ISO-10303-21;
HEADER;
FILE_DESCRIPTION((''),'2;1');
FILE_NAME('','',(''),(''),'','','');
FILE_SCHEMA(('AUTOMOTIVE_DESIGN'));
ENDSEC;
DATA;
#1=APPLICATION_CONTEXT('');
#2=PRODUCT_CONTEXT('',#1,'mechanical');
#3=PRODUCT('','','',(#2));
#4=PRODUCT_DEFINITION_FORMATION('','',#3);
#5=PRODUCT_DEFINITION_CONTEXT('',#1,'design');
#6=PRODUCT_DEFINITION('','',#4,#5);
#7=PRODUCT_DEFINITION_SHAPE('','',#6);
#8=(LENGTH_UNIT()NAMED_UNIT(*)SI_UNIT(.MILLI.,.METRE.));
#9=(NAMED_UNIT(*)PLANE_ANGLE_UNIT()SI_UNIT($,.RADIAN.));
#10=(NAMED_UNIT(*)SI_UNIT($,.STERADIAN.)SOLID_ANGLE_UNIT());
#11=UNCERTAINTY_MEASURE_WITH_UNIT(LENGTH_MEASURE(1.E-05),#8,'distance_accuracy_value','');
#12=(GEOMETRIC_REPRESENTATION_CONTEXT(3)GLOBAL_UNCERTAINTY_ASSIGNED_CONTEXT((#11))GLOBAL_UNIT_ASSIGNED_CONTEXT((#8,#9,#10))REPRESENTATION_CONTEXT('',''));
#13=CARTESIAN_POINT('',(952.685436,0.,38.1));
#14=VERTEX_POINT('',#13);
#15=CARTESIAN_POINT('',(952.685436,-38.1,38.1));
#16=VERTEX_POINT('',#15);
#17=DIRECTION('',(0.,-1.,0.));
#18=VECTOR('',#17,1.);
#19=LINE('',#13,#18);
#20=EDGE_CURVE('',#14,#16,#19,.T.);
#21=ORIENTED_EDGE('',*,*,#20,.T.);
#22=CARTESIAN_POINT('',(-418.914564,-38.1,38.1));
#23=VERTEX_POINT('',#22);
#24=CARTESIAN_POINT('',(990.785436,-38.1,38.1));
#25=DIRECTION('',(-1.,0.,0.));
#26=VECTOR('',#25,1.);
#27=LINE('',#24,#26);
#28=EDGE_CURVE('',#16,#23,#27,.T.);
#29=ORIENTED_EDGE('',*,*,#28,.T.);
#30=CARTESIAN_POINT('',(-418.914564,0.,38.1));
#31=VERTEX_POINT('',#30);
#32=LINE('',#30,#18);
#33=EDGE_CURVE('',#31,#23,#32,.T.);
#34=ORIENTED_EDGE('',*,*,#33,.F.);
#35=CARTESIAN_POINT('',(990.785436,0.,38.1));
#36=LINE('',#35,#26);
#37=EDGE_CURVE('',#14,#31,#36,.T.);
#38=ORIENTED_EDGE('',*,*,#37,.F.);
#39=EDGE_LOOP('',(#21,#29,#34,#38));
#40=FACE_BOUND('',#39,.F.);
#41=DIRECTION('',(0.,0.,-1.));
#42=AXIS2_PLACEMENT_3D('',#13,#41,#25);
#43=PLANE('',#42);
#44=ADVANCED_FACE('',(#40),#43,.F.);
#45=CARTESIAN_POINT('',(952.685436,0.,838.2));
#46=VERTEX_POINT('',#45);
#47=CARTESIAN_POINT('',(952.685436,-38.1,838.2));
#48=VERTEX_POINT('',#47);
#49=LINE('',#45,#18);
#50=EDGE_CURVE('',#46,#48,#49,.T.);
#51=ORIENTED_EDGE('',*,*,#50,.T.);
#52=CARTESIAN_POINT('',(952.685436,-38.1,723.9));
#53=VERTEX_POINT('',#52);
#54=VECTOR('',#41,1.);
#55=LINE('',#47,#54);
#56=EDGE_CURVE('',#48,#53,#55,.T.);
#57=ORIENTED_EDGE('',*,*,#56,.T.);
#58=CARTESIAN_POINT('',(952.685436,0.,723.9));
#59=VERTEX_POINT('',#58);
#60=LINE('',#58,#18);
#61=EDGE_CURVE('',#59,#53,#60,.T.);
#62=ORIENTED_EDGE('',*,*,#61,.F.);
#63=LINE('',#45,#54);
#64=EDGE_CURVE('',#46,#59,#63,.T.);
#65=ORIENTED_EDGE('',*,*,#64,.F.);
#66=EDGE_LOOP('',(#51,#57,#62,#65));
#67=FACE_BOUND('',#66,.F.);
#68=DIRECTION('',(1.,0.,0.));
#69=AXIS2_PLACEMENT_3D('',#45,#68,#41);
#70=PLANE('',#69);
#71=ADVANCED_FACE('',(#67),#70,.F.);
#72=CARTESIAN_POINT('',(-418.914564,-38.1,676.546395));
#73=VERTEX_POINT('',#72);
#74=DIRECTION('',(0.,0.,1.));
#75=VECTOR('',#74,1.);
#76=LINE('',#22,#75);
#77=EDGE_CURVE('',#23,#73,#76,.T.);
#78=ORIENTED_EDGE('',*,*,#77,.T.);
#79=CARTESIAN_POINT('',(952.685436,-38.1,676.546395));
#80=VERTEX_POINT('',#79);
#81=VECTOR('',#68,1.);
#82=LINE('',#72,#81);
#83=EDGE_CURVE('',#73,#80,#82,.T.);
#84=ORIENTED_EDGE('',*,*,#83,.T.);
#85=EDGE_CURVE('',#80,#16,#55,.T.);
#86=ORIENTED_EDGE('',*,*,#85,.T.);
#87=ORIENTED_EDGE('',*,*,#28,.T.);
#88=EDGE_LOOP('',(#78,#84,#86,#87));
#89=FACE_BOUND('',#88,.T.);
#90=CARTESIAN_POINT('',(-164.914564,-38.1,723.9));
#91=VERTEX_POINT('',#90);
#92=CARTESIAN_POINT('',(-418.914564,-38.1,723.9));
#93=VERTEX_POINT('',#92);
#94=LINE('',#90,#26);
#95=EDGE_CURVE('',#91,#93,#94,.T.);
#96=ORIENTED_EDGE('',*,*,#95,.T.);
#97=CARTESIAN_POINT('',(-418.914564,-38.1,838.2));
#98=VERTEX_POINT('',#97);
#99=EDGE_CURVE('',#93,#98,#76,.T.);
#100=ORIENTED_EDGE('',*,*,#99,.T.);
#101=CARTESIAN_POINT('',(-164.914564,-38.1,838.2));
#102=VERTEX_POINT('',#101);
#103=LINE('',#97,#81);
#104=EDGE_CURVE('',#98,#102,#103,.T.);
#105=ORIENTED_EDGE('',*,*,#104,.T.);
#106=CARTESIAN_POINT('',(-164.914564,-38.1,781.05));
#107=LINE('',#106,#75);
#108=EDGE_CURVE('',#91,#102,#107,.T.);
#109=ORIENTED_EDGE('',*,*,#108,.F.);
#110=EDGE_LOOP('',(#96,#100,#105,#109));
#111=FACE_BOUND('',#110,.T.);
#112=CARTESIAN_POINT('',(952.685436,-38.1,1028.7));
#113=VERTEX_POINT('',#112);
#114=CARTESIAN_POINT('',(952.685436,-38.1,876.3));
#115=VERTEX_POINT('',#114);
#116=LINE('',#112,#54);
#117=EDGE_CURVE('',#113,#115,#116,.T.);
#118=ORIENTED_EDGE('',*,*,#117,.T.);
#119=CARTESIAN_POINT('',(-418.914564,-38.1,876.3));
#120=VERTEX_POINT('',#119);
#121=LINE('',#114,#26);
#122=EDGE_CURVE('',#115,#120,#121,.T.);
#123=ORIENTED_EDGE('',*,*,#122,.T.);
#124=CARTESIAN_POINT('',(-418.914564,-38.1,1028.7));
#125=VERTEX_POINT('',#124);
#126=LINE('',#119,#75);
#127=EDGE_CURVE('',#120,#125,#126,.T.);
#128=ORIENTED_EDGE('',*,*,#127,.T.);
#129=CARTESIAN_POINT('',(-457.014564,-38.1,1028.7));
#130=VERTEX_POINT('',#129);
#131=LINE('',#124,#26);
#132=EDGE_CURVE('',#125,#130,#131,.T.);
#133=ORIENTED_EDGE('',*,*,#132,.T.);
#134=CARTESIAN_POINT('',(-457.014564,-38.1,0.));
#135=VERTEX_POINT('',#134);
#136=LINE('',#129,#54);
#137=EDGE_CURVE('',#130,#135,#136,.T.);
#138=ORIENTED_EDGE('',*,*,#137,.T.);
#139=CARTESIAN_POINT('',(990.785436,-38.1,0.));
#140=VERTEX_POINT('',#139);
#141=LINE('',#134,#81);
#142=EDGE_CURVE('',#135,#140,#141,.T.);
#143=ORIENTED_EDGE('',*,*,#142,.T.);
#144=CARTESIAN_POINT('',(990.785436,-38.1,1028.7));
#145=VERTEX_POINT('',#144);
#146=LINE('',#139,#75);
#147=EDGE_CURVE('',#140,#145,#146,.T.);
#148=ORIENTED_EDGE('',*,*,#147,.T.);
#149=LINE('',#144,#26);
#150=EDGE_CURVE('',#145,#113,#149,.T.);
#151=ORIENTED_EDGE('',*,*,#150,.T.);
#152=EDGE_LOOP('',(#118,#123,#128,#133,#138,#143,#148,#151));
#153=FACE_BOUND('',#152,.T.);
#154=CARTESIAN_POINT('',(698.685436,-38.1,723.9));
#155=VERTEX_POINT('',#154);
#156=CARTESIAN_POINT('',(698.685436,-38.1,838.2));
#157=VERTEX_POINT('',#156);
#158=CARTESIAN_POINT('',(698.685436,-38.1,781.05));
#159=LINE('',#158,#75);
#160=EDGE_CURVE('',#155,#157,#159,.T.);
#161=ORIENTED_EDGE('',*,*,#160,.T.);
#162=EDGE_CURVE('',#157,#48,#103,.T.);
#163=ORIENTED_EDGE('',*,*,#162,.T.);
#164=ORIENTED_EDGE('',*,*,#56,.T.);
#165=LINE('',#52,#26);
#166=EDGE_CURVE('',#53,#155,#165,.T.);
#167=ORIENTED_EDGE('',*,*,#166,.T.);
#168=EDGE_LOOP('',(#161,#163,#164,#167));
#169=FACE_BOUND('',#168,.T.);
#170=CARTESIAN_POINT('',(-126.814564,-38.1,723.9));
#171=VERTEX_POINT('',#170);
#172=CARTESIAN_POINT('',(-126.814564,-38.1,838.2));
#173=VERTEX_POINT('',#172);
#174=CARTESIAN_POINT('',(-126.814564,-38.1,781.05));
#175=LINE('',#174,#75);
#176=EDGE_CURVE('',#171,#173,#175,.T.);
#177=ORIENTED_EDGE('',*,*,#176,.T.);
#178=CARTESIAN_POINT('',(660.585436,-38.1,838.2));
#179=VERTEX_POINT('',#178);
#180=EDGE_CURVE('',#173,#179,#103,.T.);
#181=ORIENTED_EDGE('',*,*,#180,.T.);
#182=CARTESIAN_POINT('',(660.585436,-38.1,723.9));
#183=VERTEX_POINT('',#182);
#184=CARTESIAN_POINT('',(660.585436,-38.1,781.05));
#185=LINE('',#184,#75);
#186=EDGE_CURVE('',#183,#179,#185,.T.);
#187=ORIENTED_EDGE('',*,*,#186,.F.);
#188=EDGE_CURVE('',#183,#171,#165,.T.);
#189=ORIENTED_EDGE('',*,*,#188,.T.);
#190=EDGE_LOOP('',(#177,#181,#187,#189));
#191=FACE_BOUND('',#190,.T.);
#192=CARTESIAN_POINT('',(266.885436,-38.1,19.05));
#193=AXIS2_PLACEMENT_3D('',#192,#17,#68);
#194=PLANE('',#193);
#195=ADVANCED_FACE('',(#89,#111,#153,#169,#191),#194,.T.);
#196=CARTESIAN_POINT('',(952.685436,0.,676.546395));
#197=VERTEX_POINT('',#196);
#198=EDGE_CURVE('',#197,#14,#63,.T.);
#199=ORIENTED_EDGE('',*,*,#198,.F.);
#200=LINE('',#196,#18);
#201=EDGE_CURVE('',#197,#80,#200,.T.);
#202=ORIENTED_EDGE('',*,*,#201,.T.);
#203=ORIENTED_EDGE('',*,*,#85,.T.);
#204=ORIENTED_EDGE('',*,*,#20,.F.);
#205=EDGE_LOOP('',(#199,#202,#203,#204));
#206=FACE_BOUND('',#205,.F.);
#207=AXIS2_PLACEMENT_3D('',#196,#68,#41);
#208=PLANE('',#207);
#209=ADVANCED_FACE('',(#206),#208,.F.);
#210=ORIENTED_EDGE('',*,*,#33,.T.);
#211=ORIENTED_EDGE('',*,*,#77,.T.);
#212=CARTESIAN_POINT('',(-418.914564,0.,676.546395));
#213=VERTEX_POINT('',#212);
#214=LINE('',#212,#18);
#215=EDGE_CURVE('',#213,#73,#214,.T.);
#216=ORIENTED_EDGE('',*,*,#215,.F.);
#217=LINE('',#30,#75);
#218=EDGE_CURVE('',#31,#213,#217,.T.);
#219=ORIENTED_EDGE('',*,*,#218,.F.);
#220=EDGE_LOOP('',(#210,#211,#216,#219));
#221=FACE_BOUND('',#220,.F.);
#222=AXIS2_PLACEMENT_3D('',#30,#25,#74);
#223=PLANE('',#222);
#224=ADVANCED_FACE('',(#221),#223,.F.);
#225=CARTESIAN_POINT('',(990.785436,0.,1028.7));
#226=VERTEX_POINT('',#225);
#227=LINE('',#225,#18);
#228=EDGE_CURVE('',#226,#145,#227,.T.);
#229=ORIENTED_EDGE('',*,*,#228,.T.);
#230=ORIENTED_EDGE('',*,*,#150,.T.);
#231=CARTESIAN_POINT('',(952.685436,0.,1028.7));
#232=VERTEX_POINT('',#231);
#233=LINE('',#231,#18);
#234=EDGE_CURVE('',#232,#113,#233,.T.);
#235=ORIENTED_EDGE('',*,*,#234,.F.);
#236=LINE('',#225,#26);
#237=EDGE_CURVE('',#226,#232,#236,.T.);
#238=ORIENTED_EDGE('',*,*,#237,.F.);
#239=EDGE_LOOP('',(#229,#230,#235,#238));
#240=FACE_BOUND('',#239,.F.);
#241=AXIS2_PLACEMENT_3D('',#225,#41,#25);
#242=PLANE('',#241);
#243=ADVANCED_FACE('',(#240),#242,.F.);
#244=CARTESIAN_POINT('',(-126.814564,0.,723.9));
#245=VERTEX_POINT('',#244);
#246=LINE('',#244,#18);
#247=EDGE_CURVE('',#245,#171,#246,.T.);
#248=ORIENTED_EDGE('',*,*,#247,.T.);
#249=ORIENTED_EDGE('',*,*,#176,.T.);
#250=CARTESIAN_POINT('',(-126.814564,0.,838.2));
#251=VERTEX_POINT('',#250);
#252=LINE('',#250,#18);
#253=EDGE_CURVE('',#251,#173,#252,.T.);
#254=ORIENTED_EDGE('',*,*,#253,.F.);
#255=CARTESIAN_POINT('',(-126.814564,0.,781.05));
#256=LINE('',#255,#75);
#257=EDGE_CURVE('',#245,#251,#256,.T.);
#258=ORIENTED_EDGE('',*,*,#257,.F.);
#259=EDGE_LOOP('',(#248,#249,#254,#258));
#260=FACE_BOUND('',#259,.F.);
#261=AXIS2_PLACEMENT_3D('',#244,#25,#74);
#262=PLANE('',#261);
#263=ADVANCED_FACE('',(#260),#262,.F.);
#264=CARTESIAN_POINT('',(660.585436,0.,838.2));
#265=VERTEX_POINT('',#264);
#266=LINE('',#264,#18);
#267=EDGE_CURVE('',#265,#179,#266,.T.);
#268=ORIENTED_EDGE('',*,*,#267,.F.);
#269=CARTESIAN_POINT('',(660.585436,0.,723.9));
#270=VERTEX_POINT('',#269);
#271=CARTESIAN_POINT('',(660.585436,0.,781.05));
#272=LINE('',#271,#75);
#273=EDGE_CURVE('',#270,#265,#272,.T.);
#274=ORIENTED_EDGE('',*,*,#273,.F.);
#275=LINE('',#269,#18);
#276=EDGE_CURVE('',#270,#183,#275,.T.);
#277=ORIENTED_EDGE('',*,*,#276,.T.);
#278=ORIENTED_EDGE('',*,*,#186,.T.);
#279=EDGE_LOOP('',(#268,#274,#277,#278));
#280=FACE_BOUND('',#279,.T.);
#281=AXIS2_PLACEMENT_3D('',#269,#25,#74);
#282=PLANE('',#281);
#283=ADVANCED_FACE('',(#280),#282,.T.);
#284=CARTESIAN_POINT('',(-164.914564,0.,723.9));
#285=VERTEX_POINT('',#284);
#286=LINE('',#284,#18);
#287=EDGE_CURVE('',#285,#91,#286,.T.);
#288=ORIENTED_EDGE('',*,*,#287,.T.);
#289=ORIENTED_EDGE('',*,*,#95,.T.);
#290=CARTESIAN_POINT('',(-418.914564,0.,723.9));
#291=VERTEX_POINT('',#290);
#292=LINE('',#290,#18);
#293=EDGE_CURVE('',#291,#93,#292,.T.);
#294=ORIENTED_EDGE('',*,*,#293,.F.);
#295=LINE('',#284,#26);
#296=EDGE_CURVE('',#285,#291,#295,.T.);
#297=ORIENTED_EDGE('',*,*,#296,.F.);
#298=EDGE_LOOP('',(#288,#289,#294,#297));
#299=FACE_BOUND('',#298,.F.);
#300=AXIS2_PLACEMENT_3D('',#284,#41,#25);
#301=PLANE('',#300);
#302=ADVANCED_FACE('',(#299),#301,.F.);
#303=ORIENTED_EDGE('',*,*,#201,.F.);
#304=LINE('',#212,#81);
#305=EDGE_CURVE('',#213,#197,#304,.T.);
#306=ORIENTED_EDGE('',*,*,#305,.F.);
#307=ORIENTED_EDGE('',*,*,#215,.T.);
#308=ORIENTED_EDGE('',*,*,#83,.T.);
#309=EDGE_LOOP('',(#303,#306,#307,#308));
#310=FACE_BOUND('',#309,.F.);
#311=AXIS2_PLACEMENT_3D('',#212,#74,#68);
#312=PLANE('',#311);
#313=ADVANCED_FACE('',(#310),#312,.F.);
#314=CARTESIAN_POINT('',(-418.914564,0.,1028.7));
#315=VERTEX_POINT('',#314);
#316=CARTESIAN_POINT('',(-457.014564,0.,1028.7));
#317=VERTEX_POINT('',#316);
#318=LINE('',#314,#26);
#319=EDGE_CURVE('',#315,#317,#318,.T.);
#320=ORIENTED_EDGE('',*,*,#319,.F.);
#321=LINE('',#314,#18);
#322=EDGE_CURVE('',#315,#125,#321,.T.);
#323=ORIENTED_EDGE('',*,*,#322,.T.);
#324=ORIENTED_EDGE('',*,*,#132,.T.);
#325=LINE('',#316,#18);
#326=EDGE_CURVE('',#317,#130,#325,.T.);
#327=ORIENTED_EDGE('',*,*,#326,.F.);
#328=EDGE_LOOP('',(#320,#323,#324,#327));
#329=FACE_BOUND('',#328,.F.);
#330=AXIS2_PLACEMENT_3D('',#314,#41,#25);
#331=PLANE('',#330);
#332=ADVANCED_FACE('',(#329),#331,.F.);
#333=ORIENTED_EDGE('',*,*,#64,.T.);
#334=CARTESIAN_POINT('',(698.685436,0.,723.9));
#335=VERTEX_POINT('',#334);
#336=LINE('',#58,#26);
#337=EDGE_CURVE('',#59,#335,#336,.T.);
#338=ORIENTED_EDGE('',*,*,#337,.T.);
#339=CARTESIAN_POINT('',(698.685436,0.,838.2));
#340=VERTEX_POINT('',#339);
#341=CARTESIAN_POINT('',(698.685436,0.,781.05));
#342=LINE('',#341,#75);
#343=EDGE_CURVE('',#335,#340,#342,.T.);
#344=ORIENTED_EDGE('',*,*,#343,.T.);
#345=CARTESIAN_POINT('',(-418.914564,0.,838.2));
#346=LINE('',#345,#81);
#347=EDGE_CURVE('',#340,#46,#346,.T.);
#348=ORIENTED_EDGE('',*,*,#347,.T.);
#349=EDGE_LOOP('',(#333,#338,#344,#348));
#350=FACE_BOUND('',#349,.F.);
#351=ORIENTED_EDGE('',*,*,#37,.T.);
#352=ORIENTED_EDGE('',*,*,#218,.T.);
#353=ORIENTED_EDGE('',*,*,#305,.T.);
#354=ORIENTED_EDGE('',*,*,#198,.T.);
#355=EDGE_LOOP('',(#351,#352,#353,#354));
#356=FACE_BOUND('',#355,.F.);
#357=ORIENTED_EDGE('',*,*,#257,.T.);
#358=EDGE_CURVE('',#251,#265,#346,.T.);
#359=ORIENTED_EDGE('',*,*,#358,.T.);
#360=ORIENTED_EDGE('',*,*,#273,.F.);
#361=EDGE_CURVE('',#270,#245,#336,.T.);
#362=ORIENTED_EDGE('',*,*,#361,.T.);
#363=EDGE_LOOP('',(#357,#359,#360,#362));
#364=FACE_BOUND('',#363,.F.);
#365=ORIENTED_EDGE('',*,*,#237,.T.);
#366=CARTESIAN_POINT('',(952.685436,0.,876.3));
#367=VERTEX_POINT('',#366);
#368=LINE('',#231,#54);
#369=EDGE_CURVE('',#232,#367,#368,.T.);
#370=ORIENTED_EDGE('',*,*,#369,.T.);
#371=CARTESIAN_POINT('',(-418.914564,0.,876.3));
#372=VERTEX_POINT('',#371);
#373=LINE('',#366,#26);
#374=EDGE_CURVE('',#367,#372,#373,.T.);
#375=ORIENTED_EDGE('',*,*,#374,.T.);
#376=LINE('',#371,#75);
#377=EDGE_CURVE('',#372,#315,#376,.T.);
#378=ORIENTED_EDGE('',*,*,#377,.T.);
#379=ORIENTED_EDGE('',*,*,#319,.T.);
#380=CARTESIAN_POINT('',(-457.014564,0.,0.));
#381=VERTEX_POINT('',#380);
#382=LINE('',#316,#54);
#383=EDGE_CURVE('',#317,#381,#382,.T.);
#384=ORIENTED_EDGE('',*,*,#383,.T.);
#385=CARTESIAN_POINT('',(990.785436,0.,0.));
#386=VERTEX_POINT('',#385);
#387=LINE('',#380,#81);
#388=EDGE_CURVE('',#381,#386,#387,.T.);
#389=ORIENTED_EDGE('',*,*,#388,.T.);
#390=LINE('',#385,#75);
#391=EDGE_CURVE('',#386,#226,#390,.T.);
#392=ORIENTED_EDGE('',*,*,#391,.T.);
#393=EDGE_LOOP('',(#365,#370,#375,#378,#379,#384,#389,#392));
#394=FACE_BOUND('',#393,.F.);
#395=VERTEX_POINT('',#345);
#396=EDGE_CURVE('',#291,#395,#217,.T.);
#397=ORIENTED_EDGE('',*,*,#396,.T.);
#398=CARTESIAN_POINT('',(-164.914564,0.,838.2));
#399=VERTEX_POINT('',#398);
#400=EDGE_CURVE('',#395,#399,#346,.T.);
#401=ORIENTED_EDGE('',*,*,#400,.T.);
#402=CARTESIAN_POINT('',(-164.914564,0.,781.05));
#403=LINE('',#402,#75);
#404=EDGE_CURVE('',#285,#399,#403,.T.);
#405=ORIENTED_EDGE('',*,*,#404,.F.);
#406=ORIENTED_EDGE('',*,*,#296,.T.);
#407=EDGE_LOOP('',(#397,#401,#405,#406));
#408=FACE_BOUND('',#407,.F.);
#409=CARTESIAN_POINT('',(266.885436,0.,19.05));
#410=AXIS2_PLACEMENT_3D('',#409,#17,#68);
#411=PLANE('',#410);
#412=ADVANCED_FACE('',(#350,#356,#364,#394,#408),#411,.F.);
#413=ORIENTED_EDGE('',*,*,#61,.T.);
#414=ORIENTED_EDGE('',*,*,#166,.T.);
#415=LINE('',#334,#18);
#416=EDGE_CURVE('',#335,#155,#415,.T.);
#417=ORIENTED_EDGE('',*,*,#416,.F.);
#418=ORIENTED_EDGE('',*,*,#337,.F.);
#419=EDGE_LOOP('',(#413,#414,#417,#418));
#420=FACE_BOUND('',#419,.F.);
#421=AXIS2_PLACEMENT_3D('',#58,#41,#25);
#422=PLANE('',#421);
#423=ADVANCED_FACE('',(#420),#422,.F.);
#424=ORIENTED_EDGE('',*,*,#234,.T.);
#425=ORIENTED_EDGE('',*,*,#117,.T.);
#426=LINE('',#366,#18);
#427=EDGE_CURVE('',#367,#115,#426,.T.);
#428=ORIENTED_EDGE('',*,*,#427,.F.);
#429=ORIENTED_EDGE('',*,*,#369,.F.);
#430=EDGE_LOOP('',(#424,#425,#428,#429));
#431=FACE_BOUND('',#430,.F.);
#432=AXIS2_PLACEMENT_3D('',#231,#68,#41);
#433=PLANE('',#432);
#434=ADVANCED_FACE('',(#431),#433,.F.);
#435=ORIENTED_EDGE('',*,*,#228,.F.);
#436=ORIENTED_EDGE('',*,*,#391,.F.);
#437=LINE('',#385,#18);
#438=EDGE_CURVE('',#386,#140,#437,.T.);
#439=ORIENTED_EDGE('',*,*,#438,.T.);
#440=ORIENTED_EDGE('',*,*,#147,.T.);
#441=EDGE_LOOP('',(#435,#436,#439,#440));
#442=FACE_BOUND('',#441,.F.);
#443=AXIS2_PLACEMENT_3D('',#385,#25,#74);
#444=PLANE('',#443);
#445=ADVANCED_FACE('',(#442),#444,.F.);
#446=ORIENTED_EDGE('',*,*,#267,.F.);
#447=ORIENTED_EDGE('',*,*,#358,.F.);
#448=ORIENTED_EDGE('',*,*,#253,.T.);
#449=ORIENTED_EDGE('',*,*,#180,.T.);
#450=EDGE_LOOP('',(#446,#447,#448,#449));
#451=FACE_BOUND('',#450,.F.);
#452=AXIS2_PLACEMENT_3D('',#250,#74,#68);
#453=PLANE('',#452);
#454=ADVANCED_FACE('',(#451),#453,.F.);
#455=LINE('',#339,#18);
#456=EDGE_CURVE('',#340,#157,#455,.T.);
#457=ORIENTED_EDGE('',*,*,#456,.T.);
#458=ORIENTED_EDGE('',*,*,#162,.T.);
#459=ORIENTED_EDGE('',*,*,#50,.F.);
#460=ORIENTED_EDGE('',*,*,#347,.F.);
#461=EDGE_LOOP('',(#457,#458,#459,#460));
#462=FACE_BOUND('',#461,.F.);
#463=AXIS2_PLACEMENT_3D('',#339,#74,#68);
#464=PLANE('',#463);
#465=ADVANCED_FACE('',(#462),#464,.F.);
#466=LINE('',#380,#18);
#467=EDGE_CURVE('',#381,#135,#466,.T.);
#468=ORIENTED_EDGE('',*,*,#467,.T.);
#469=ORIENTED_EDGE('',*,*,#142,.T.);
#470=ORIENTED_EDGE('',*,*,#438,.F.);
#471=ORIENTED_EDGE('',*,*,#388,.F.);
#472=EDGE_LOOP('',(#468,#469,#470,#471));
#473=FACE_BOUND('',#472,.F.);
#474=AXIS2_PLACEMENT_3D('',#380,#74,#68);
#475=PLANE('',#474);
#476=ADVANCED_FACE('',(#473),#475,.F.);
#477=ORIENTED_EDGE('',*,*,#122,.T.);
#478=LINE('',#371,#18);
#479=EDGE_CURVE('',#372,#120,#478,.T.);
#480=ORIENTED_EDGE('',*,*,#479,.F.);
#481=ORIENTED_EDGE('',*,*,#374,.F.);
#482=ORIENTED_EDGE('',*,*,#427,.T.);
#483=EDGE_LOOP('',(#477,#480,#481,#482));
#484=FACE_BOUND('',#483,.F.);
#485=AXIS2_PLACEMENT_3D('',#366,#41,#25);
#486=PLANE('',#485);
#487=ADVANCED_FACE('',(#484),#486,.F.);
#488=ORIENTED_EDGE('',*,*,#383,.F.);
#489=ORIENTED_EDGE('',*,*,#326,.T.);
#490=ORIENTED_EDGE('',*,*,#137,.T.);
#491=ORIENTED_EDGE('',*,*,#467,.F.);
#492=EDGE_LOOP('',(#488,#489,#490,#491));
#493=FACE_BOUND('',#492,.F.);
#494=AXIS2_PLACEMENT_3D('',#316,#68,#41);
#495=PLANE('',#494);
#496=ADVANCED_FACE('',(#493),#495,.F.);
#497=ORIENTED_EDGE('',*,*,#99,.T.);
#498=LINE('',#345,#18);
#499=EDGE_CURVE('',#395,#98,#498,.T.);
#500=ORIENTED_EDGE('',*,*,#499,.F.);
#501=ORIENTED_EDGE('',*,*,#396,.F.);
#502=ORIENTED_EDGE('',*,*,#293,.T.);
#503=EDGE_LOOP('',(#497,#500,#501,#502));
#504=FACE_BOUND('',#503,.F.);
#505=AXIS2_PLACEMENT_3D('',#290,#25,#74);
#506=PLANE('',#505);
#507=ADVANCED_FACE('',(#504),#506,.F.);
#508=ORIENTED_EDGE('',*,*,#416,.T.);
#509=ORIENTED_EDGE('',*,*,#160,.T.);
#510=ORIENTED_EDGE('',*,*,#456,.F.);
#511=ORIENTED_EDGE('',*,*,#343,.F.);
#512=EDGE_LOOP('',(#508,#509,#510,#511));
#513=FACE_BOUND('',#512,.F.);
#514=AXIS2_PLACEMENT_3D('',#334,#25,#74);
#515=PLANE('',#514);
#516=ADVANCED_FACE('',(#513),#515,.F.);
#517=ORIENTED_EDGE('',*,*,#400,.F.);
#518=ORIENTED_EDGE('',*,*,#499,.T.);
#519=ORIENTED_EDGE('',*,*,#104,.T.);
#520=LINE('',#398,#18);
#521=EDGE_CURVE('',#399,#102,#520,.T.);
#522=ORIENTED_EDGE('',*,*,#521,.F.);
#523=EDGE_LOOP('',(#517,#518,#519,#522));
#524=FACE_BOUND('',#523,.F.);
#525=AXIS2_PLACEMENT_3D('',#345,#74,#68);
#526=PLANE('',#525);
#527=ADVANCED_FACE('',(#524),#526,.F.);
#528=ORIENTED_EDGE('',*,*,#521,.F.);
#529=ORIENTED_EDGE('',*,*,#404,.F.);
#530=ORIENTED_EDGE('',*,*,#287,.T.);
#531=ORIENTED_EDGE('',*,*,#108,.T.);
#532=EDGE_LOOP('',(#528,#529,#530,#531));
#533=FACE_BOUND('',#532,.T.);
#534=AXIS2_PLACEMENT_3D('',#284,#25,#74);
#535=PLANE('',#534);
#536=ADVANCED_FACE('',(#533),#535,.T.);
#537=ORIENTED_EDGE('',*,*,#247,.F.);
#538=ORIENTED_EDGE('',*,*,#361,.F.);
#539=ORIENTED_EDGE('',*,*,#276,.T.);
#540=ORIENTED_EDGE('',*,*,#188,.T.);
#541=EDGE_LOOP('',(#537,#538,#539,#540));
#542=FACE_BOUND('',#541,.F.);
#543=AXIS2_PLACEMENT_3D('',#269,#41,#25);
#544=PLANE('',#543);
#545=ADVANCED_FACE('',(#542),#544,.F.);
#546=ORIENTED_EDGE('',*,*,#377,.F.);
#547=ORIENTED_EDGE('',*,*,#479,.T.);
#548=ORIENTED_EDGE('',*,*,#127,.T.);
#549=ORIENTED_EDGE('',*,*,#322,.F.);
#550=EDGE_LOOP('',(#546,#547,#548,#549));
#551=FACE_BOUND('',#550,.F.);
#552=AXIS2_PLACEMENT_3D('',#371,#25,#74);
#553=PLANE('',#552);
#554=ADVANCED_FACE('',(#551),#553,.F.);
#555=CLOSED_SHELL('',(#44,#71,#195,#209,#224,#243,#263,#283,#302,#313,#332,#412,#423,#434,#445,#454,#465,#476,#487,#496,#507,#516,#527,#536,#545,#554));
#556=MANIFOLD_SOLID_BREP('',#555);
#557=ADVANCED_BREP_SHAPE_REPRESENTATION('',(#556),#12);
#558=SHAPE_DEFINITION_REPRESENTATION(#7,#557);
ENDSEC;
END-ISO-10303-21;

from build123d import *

# Parameters (mm, degrees)
F0_W     = 38.1
F0_H     = 114.3
F1_DEPTH = 38.1


with BuildPart() as f1:
    # F0 (on Front) → F1 (new body)
    with BuildSketch(Plane.XZ):
        Polygon((-457.014564, 38.1), (-457.014564, 0), (990.785436, 0), (990.785436, 38.1), (952.685436, 38.1), (-418.914564, 38.1), align=None)
        Polygon((952.685436, 38.1), (990.785436, 38.1), (990.785436, 723.9), (952.685436, 723.9), (952.685436, 676.546395), align=None)
        Polygon((-418.914564, 876.3), (-418.914564, 838.2), (-164.914564, 838.2), (-126.814564, 838.2), (660.585436, 838.2), (698.685436, 838.2), (952.685436, 838.2), (952.685436, 876.3), align=None)
        Polygon((-457.014564, 1028.7), (-457.014564, 723.9), (-418.914564, 723.9), (-418.914564, 838.2), (-418.914564, 876.3), (-418.914564, 1028.7), align=None)
        Polygon((-457.014564, 723.9), (-457.014564, 38.1), (-418.914564, 38.1), (-418.914564, 676.546395), (-418.914564, 723.9), align=None)
        Polygon((952.685436, 723.9), (990.785436, 723.9), (990.785436, 1028.7), (952.685436, 1028.7), (952.685436, 876.3), (952.685436, 838.2), align=None)
        with Locations((-145.864564, 781.05)):
            Rectangle(F0_W, F0_H)
        Polygon((-418.914564, 723.9), (-418.914564, 676.546395), (952.685436, 676.546395), (952.685436, 723.9), (698.685436, 723.9), (660.585436, 723.9), (-126.814564, 723.9), (-164.914564, 723.9), align=None)
        with Locations((679.635436, 781.05)):
            Rectangle(F0_W, F0_H)
    extrude(amount=F1_DEPTH)


solid = f1.part
